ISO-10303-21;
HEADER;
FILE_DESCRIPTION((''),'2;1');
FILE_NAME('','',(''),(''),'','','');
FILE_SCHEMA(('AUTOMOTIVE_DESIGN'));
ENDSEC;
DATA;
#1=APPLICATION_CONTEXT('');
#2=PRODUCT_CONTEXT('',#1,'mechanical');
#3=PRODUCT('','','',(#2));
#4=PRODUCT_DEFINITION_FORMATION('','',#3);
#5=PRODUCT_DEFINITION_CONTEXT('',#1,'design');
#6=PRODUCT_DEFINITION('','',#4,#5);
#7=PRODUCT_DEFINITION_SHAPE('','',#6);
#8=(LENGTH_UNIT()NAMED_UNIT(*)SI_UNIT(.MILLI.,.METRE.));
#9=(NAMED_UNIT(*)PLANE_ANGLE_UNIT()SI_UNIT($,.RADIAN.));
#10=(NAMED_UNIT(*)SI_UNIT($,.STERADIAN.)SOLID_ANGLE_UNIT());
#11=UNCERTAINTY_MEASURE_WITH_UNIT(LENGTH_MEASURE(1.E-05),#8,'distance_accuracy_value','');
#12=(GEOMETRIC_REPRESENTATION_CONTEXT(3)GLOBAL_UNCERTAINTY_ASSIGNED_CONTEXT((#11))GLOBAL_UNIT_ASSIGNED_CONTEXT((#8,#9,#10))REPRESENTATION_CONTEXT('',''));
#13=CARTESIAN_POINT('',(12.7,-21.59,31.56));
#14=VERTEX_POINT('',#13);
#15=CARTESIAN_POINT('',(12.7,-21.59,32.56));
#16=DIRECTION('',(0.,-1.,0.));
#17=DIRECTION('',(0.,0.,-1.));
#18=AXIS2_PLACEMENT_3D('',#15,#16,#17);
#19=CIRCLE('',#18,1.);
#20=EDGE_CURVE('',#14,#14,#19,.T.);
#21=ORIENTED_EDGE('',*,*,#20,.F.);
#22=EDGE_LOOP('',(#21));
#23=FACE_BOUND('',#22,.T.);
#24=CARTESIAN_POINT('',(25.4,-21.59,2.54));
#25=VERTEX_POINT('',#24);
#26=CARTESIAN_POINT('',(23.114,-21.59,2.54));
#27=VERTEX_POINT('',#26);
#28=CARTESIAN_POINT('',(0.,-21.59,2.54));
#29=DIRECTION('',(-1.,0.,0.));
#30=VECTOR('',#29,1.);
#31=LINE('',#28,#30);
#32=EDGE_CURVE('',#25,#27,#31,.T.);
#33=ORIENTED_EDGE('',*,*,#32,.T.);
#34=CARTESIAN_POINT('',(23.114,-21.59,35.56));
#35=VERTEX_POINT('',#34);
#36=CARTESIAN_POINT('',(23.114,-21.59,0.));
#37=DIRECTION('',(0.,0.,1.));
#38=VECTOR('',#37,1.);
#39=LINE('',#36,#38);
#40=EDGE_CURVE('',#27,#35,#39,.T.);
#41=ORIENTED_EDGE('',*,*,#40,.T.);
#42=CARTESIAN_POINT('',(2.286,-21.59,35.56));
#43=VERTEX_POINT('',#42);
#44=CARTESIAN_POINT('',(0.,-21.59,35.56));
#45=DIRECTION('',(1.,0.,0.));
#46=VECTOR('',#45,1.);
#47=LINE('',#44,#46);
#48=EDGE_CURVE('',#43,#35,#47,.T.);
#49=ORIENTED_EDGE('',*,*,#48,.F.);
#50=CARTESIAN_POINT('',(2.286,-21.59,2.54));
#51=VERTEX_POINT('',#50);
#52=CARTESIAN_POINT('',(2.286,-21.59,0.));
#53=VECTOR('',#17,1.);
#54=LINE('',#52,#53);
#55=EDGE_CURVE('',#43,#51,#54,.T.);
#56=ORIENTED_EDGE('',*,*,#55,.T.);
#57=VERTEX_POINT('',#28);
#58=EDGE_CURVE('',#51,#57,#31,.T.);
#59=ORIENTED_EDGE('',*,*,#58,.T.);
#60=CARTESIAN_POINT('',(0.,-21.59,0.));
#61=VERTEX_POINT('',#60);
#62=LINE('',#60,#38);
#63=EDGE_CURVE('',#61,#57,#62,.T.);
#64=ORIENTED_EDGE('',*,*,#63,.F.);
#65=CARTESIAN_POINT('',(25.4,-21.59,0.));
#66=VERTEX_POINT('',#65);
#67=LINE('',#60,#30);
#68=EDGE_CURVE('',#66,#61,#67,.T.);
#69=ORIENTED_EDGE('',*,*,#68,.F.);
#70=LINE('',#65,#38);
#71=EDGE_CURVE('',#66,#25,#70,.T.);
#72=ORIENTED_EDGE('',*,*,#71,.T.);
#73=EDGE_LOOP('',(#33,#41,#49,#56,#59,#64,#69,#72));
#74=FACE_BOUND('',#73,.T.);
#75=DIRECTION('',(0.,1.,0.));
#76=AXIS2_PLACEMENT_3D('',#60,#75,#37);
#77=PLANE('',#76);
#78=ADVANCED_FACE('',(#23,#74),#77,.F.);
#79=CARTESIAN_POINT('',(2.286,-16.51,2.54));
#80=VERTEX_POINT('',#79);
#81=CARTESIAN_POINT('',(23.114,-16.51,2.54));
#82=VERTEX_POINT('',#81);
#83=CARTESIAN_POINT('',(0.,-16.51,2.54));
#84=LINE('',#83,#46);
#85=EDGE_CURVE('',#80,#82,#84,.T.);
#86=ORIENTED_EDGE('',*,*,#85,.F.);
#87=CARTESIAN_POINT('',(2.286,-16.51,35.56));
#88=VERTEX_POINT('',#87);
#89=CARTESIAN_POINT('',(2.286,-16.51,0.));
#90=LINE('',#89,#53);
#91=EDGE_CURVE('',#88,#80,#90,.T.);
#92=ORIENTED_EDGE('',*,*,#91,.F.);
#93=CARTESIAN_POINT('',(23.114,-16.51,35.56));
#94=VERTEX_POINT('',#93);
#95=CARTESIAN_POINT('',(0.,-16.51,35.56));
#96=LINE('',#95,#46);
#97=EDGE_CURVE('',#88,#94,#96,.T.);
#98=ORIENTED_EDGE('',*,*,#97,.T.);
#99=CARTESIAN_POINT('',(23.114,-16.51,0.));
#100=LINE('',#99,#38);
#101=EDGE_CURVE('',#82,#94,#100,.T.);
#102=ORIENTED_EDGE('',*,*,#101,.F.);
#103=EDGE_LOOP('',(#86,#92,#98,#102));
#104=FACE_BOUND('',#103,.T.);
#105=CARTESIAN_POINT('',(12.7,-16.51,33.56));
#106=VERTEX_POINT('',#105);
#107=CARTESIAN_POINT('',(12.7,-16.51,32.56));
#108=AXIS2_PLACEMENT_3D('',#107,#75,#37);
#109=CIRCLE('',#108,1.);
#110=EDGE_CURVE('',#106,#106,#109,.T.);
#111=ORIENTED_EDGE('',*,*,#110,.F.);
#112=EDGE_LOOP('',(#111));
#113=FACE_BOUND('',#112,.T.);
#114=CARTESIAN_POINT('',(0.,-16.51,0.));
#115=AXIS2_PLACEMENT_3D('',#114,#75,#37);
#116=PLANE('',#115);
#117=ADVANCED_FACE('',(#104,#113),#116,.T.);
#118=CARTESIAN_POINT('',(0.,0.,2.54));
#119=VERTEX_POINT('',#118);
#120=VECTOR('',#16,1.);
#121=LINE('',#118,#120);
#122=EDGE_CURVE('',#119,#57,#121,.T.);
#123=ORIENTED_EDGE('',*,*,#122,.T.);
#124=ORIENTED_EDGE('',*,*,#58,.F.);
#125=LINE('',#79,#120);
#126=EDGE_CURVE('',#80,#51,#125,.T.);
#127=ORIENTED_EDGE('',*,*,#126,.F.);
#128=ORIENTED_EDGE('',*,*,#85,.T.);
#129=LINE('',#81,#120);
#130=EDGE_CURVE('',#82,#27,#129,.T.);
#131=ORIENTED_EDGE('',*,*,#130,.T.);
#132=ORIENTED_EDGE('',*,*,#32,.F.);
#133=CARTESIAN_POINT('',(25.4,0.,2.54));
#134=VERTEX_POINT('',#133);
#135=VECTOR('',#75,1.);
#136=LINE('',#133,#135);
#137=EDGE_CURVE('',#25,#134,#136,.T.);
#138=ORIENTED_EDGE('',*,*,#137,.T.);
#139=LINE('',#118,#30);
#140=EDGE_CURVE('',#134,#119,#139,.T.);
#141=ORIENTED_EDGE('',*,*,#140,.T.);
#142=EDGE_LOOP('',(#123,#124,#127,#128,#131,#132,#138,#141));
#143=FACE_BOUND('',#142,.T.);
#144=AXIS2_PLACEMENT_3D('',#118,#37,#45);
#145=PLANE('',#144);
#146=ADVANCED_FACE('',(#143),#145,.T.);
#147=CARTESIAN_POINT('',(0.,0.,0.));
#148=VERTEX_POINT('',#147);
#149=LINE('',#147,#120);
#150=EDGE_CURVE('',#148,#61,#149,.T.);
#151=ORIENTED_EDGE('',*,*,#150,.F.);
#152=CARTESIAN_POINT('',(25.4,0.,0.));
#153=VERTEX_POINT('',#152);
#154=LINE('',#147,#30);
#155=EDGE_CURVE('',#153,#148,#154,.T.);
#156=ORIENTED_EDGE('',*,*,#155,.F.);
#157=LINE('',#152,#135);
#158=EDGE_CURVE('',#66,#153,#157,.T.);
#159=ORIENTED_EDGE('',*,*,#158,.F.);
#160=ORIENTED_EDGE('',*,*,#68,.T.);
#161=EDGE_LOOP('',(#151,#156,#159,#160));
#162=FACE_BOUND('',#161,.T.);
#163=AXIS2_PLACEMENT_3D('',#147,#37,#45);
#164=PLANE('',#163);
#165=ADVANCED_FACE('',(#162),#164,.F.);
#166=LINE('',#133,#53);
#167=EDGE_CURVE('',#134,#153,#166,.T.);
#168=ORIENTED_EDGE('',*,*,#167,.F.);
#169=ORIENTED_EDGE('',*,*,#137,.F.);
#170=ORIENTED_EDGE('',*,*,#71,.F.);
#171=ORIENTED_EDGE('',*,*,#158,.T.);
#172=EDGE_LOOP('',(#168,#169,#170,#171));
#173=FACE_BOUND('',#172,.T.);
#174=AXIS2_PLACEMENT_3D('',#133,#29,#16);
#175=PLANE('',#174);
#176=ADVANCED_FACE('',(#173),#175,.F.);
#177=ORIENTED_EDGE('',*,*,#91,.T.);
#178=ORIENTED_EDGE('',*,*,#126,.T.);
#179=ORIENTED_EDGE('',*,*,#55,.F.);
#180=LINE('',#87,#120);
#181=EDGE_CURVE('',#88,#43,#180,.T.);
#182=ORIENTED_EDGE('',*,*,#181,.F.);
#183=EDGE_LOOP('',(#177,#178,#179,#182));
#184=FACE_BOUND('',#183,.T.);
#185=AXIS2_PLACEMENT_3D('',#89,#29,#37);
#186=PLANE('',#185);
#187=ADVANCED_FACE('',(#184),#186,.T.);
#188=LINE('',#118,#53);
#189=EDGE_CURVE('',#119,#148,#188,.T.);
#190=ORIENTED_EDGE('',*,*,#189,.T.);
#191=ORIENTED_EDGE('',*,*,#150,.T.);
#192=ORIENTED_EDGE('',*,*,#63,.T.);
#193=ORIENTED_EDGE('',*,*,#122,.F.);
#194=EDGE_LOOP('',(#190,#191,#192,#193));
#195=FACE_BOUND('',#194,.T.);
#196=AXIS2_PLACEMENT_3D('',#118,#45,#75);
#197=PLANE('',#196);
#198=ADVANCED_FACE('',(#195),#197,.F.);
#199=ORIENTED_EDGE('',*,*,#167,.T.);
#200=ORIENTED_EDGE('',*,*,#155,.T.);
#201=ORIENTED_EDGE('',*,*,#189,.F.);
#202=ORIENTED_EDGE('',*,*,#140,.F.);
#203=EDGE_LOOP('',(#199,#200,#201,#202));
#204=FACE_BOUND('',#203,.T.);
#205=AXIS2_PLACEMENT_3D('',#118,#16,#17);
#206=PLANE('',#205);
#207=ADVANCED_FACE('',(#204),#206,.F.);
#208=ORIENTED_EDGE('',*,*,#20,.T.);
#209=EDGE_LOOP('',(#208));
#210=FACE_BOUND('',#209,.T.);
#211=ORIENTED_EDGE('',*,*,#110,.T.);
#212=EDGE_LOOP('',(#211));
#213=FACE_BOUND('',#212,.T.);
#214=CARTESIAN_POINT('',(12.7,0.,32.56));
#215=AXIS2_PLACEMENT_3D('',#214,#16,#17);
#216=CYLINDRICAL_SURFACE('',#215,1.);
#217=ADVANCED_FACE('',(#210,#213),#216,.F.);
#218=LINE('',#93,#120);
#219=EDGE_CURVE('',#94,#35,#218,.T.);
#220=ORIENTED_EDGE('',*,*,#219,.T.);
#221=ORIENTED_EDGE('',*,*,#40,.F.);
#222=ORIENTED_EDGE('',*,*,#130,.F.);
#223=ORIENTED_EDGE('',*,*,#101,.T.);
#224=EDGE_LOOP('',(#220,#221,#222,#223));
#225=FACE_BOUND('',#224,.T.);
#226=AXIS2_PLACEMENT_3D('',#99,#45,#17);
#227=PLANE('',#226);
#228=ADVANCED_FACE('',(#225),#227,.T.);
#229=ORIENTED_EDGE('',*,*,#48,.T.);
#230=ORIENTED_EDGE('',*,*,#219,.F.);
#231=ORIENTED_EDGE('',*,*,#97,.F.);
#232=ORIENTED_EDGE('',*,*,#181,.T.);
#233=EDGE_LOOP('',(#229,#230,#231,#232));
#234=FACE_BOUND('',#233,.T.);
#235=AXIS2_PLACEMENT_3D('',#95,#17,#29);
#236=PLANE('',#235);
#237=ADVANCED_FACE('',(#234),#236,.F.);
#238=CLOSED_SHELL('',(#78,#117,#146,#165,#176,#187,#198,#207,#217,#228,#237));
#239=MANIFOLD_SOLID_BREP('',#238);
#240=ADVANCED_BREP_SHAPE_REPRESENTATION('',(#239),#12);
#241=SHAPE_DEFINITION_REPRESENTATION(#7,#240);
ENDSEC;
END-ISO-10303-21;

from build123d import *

# Parameters (mm, degrees)
SKETCH1_W           = 25.4
SKETCH1_H           = 25.4
BOSS_EXTRUDE1_DEPTH = 2.54
BOSS_EXTRUDE3_DEPTH = 2.54
SKETCH6_W           = 25.4
SKETCH6_H           = 3.81
CUT_EXTRUDE1_DEPTH  = 51.545361805
SKETCH7_R           = 1
CUT_EXTRUDE2_DEPTH  = 49.742196298


with BuildPart() as part:
    # Sketch1 → Boss-Extrude1 (new body)
    with BuildSketch(Plane.XY):
        with Locations((12.7, -12.7)):
            Rectangle(SKETCH1_W, SKETCH1_H)
    extrude(amount=BOSS_EXTRUDE1_DEPTH)

    # Sketch2 → Boss-Extrude3 (add, symmetric)
    with BuildSketch(Plane(origin=(0, -19.05, 0), x_dir=(1, 0, 0), z_dir=(0, 1, 0))):
        Polygon((2.286, -35.56), (2.286, -2.54), (12.7, -2.54), (23.114, -2.54), (23.114, -35.56), align=None)
    extrude(amount=BOSS_EXTRUDE3_DEPTH, both=True)

    # Sketch6 → Cut-Extrude1 (cut, through all)
    with BuildSketch(Plane.XY.offset(35.56)):
        with Locations((12.7, -23.495)):
            Rectangle(SKETCH6_W, SKETCH6_H)
    extrude(amount=-CUT_EXTRUDE1_DEPTH, mode=Mode.SUBTRACT)

    # Sketch7 → Cut-Extrude2 (cut, through all)
    with BuildSketch(Plane(origin=(0, -21.59, 0), x_dir=(-1, 0, 0), z_dir=(0, -1, 0))):
        with Locations(Location((-12.7, -32.56, 0), (0, 0, 90))):
            Circle(SKETCH7_R)
    extrude(amount=-CUT_EXTRUDE2_DEPTH, mode=Mode.SUBTRACT)


solid = part.part
